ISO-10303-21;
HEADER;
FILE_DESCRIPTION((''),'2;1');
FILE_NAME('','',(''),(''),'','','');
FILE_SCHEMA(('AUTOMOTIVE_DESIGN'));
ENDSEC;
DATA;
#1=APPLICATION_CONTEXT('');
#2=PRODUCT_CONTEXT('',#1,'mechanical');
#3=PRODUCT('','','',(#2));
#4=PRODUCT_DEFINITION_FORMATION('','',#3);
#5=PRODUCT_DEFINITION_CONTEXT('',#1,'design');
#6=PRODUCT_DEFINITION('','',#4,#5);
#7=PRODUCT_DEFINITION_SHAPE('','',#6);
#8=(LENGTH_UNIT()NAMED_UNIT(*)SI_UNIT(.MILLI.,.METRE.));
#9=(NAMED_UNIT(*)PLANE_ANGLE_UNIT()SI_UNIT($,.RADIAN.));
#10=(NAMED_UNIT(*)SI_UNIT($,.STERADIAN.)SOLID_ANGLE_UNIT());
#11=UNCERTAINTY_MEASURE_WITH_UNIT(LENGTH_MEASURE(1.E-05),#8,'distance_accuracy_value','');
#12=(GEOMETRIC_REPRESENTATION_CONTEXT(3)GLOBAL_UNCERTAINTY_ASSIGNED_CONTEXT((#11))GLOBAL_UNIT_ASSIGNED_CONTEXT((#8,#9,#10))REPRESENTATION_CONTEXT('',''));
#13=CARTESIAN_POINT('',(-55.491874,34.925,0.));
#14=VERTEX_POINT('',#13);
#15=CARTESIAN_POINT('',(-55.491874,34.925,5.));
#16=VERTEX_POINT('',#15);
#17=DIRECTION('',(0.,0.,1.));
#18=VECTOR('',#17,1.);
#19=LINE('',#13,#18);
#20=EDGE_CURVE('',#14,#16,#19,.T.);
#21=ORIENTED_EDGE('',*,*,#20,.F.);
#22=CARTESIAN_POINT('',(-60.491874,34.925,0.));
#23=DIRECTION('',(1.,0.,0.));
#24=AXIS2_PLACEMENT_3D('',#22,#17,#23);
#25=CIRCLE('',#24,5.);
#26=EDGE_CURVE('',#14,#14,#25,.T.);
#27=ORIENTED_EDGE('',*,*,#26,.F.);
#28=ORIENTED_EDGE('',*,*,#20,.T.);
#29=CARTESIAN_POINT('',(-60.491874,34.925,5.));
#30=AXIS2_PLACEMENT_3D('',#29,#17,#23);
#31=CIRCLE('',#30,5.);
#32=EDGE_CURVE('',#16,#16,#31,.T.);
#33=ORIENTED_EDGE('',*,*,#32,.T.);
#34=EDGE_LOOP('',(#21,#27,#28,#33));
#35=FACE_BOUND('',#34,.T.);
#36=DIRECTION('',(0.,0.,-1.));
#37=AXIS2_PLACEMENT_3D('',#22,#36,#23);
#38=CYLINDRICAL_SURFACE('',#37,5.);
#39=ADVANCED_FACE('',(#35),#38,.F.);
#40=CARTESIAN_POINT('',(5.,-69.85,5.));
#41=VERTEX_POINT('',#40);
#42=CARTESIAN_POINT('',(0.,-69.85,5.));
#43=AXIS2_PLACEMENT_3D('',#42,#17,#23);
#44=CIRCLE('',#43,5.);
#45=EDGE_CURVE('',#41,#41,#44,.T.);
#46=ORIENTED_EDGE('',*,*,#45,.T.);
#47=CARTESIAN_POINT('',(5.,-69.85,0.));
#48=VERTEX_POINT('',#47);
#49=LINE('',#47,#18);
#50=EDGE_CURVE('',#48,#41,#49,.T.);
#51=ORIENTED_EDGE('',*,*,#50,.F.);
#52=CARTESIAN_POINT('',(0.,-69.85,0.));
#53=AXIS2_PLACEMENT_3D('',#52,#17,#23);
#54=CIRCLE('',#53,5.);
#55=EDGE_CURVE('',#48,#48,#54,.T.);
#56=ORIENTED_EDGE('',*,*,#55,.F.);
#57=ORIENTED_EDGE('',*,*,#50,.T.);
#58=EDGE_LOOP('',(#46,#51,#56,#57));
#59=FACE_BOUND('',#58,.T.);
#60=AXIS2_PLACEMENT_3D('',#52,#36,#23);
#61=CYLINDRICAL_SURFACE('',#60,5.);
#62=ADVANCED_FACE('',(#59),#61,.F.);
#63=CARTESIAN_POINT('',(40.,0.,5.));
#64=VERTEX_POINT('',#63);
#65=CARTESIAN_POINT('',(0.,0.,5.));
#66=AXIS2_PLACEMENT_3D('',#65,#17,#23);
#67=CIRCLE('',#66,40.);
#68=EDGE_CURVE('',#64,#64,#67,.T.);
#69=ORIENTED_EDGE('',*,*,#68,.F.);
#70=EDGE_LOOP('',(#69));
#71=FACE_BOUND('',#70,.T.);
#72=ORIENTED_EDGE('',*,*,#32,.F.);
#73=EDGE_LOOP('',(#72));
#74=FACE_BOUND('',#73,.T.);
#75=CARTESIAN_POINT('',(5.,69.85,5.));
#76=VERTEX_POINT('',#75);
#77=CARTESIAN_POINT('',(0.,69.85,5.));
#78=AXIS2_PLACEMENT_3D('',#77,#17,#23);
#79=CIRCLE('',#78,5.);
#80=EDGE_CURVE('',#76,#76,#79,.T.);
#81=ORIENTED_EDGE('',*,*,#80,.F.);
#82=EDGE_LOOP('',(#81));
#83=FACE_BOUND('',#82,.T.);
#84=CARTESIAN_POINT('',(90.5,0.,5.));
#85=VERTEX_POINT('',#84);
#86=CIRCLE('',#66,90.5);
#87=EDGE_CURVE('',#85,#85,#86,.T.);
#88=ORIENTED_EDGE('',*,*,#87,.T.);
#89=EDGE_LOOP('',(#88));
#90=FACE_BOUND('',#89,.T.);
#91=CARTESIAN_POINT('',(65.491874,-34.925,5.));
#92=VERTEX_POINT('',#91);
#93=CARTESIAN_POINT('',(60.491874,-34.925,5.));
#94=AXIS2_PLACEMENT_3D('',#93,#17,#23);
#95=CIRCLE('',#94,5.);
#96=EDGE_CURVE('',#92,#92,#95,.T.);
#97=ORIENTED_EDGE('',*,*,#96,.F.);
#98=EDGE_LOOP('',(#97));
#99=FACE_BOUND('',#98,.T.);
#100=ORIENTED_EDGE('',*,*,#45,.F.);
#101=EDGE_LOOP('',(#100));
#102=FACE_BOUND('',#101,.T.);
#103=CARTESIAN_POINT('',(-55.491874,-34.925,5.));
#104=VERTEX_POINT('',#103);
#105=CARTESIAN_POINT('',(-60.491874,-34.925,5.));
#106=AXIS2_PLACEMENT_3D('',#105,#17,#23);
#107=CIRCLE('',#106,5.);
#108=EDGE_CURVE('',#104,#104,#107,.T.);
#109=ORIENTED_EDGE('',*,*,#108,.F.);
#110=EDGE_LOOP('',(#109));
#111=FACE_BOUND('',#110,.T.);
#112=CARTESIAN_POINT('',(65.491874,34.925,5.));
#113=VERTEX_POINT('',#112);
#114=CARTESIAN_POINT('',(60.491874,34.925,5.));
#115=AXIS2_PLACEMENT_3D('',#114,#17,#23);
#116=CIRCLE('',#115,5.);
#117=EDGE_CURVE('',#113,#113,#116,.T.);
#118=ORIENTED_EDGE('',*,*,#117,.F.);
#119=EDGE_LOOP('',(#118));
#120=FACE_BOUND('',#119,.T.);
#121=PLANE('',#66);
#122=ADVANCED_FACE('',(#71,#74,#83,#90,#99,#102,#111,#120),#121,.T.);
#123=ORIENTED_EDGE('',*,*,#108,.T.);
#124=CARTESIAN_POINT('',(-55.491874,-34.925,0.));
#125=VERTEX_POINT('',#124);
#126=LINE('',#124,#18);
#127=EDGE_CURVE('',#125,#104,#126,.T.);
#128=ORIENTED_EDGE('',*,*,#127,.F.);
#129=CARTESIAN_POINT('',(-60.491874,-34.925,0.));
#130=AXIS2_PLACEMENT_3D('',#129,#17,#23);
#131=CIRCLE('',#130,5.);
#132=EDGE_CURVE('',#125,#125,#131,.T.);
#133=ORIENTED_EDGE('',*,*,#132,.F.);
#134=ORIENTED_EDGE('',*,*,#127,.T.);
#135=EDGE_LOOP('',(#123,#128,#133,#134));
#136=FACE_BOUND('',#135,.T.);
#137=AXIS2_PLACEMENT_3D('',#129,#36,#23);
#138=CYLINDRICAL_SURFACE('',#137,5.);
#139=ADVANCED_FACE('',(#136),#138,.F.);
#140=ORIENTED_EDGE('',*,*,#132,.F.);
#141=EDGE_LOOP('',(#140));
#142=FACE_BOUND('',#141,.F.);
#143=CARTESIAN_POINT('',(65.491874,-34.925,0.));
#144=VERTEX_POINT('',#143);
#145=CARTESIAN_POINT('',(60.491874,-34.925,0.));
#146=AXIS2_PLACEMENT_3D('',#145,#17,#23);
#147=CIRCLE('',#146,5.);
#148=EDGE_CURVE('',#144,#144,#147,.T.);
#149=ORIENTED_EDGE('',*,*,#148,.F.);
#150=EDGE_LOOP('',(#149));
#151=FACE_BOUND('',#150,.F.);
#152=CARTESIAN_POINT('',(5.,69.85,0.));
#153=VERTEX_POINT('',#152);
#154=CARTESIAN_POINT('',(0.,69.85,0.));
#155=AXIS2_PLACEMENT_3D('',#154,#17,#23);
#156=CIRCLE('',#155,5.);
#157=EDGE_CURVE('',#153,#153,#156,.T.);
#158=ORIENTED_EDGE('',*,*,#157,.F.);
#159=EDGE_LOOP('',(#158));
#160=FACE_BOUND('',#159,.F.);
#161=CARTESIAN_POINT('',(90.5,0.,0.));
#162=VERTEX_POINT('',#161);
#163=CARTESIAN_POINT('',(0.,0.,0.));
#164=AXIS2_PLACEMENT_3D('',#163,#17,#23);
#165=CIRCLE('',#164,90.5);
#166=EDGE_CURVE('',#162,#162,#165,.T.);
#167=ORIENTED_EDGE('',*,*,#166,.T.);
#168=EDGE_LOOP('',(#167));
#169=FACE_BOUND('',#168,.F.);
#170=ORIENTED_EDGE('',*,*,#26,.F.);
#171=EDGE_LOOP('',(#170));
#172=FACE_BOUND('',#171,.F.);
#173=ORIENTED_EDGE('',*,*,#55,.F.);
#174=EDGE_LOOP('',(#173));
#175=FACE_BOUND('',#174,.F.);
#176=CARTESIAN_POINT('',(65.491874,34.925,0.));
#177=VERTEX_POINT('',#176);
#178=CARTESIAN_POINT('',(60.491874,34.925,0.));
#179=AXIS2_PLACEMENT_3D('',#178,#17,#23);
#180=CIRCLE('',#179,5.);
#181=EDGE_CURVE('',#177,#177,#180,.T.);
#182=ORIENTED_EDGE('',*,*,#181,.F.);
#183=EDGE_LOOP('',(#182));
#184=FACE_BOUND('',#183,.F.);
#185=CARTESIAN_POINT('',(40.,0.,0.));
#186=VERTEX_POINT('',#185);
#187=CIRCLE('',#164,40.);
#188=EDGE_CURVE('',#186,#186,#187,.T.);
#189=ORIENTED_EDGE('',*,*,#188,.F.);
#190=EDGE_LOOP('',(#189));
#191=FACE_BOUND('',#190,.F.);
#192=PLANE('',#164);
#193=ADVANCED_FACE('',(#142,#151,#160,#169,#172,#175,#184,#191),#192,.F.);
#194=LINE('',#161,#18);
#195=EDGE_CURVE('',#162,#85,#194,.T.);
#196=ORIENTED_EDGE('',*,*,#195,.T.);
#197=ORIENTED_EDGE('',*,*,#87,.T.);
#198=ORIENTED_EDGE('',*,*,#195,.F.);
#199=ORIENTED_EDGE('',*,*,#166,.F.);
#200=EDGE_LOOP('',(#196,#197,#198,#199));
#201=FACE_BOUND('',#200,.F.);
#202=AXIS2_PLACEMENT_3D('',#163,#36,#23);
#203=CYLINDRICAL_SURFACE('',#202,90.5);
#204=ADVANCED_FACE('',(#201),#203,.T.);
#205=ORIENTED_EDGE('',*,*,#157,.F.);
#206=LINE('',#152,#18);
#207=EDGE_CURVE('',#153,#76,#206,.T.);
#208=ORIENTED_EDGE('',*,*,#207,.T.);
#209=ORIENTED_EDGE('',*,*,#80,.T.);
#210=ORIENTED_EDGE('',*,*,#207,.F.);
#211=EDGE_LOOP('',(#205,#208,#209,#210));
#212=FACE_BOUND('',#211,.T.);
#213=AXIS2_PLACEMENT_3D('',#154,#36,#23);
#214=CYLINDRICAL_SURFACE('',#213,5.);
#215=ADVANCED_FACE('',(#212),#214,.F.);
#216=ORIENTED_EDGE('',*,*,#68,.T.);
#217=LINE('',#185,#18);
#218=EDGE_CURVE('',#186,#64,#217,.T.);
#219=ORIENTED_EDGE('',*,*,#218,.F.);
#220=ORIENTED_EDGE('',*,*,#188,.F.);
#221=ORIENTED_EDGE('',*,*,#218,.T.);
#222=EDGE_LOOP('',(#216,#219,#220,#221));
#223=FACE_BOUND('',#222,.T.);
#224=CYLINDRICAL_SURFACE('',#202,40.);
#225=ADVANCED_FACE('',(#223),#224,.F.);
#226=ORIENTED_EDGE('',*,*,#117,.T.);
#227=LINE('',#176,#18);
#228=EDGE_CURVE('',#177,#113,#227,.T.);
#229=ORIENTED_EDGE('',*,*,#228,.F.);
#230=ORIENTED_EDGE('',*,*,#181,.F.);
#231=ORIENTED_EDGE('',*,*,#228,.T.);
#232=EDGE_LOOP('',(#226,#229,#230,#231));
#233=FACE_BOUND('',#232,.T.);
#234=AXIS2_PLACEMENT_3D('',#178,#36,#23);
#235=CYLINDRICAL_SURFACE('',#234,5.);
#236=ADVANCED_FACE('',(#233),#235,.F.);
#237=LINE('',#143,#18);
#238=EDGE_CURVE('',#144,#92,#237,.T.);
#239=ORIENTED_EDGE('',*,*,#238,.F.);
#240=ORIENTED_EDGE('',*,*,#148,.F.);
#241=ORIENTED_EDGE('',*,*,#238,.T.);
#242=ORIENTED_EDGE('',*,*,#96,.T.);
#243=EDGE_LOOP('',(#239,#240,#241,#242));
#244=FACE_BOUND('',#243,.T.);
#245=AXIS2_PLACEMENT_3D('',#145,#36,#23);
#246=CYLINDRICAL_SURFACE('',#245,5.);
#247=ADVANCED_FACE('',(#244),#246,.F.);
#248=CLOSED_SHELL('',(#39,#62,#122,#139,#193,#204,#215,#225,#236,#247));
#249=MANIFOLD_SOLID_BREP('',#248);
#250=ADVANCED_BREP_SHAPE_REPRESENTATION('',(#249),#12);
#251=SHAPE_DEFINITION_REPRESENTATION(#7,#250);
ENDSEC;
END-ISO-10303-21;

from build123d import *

# Parameters (mm, degrees)
F0_R     = 90.5
F0_R_2   = 5
F0_R_3   = 40
F1_DEPTH = 5


with BuildPart() as f1:
    # F0 (on Top) → F1 (new body)
    with BuildSketch(Plane.XY):
        Circle(F0_R)
        with Locations((-60.491874, -34.925)):
            Circle(F0_R_2, mode=Mode.SUBTRACT)
        with Locations((0, -69.85)):
            Circle(F0_R_2, mode=Mode.SUBTRACT)
        with Locations((60.491874, -34.925)):
            Circle(F0_R_2, mode=Mode.SUBTRACT)
        with Locations((-60.491874, 34.925)):
            Circle(F0_R_2, mode=Mode.SUBTRACT)
        Circle(F0_R_3, mode=Mode.SUBTRACT)
        with Locations((60.491874, 34.925)):
            Circle(F0_R_2, mode=Mode.SUBTRACT)
        with Locations((0, 69.85)):
            Circle(F0_R_2, mode=Mode.SUBTRACT)
    extrude(amount=F1_DEPTH)


solid = f1.part
